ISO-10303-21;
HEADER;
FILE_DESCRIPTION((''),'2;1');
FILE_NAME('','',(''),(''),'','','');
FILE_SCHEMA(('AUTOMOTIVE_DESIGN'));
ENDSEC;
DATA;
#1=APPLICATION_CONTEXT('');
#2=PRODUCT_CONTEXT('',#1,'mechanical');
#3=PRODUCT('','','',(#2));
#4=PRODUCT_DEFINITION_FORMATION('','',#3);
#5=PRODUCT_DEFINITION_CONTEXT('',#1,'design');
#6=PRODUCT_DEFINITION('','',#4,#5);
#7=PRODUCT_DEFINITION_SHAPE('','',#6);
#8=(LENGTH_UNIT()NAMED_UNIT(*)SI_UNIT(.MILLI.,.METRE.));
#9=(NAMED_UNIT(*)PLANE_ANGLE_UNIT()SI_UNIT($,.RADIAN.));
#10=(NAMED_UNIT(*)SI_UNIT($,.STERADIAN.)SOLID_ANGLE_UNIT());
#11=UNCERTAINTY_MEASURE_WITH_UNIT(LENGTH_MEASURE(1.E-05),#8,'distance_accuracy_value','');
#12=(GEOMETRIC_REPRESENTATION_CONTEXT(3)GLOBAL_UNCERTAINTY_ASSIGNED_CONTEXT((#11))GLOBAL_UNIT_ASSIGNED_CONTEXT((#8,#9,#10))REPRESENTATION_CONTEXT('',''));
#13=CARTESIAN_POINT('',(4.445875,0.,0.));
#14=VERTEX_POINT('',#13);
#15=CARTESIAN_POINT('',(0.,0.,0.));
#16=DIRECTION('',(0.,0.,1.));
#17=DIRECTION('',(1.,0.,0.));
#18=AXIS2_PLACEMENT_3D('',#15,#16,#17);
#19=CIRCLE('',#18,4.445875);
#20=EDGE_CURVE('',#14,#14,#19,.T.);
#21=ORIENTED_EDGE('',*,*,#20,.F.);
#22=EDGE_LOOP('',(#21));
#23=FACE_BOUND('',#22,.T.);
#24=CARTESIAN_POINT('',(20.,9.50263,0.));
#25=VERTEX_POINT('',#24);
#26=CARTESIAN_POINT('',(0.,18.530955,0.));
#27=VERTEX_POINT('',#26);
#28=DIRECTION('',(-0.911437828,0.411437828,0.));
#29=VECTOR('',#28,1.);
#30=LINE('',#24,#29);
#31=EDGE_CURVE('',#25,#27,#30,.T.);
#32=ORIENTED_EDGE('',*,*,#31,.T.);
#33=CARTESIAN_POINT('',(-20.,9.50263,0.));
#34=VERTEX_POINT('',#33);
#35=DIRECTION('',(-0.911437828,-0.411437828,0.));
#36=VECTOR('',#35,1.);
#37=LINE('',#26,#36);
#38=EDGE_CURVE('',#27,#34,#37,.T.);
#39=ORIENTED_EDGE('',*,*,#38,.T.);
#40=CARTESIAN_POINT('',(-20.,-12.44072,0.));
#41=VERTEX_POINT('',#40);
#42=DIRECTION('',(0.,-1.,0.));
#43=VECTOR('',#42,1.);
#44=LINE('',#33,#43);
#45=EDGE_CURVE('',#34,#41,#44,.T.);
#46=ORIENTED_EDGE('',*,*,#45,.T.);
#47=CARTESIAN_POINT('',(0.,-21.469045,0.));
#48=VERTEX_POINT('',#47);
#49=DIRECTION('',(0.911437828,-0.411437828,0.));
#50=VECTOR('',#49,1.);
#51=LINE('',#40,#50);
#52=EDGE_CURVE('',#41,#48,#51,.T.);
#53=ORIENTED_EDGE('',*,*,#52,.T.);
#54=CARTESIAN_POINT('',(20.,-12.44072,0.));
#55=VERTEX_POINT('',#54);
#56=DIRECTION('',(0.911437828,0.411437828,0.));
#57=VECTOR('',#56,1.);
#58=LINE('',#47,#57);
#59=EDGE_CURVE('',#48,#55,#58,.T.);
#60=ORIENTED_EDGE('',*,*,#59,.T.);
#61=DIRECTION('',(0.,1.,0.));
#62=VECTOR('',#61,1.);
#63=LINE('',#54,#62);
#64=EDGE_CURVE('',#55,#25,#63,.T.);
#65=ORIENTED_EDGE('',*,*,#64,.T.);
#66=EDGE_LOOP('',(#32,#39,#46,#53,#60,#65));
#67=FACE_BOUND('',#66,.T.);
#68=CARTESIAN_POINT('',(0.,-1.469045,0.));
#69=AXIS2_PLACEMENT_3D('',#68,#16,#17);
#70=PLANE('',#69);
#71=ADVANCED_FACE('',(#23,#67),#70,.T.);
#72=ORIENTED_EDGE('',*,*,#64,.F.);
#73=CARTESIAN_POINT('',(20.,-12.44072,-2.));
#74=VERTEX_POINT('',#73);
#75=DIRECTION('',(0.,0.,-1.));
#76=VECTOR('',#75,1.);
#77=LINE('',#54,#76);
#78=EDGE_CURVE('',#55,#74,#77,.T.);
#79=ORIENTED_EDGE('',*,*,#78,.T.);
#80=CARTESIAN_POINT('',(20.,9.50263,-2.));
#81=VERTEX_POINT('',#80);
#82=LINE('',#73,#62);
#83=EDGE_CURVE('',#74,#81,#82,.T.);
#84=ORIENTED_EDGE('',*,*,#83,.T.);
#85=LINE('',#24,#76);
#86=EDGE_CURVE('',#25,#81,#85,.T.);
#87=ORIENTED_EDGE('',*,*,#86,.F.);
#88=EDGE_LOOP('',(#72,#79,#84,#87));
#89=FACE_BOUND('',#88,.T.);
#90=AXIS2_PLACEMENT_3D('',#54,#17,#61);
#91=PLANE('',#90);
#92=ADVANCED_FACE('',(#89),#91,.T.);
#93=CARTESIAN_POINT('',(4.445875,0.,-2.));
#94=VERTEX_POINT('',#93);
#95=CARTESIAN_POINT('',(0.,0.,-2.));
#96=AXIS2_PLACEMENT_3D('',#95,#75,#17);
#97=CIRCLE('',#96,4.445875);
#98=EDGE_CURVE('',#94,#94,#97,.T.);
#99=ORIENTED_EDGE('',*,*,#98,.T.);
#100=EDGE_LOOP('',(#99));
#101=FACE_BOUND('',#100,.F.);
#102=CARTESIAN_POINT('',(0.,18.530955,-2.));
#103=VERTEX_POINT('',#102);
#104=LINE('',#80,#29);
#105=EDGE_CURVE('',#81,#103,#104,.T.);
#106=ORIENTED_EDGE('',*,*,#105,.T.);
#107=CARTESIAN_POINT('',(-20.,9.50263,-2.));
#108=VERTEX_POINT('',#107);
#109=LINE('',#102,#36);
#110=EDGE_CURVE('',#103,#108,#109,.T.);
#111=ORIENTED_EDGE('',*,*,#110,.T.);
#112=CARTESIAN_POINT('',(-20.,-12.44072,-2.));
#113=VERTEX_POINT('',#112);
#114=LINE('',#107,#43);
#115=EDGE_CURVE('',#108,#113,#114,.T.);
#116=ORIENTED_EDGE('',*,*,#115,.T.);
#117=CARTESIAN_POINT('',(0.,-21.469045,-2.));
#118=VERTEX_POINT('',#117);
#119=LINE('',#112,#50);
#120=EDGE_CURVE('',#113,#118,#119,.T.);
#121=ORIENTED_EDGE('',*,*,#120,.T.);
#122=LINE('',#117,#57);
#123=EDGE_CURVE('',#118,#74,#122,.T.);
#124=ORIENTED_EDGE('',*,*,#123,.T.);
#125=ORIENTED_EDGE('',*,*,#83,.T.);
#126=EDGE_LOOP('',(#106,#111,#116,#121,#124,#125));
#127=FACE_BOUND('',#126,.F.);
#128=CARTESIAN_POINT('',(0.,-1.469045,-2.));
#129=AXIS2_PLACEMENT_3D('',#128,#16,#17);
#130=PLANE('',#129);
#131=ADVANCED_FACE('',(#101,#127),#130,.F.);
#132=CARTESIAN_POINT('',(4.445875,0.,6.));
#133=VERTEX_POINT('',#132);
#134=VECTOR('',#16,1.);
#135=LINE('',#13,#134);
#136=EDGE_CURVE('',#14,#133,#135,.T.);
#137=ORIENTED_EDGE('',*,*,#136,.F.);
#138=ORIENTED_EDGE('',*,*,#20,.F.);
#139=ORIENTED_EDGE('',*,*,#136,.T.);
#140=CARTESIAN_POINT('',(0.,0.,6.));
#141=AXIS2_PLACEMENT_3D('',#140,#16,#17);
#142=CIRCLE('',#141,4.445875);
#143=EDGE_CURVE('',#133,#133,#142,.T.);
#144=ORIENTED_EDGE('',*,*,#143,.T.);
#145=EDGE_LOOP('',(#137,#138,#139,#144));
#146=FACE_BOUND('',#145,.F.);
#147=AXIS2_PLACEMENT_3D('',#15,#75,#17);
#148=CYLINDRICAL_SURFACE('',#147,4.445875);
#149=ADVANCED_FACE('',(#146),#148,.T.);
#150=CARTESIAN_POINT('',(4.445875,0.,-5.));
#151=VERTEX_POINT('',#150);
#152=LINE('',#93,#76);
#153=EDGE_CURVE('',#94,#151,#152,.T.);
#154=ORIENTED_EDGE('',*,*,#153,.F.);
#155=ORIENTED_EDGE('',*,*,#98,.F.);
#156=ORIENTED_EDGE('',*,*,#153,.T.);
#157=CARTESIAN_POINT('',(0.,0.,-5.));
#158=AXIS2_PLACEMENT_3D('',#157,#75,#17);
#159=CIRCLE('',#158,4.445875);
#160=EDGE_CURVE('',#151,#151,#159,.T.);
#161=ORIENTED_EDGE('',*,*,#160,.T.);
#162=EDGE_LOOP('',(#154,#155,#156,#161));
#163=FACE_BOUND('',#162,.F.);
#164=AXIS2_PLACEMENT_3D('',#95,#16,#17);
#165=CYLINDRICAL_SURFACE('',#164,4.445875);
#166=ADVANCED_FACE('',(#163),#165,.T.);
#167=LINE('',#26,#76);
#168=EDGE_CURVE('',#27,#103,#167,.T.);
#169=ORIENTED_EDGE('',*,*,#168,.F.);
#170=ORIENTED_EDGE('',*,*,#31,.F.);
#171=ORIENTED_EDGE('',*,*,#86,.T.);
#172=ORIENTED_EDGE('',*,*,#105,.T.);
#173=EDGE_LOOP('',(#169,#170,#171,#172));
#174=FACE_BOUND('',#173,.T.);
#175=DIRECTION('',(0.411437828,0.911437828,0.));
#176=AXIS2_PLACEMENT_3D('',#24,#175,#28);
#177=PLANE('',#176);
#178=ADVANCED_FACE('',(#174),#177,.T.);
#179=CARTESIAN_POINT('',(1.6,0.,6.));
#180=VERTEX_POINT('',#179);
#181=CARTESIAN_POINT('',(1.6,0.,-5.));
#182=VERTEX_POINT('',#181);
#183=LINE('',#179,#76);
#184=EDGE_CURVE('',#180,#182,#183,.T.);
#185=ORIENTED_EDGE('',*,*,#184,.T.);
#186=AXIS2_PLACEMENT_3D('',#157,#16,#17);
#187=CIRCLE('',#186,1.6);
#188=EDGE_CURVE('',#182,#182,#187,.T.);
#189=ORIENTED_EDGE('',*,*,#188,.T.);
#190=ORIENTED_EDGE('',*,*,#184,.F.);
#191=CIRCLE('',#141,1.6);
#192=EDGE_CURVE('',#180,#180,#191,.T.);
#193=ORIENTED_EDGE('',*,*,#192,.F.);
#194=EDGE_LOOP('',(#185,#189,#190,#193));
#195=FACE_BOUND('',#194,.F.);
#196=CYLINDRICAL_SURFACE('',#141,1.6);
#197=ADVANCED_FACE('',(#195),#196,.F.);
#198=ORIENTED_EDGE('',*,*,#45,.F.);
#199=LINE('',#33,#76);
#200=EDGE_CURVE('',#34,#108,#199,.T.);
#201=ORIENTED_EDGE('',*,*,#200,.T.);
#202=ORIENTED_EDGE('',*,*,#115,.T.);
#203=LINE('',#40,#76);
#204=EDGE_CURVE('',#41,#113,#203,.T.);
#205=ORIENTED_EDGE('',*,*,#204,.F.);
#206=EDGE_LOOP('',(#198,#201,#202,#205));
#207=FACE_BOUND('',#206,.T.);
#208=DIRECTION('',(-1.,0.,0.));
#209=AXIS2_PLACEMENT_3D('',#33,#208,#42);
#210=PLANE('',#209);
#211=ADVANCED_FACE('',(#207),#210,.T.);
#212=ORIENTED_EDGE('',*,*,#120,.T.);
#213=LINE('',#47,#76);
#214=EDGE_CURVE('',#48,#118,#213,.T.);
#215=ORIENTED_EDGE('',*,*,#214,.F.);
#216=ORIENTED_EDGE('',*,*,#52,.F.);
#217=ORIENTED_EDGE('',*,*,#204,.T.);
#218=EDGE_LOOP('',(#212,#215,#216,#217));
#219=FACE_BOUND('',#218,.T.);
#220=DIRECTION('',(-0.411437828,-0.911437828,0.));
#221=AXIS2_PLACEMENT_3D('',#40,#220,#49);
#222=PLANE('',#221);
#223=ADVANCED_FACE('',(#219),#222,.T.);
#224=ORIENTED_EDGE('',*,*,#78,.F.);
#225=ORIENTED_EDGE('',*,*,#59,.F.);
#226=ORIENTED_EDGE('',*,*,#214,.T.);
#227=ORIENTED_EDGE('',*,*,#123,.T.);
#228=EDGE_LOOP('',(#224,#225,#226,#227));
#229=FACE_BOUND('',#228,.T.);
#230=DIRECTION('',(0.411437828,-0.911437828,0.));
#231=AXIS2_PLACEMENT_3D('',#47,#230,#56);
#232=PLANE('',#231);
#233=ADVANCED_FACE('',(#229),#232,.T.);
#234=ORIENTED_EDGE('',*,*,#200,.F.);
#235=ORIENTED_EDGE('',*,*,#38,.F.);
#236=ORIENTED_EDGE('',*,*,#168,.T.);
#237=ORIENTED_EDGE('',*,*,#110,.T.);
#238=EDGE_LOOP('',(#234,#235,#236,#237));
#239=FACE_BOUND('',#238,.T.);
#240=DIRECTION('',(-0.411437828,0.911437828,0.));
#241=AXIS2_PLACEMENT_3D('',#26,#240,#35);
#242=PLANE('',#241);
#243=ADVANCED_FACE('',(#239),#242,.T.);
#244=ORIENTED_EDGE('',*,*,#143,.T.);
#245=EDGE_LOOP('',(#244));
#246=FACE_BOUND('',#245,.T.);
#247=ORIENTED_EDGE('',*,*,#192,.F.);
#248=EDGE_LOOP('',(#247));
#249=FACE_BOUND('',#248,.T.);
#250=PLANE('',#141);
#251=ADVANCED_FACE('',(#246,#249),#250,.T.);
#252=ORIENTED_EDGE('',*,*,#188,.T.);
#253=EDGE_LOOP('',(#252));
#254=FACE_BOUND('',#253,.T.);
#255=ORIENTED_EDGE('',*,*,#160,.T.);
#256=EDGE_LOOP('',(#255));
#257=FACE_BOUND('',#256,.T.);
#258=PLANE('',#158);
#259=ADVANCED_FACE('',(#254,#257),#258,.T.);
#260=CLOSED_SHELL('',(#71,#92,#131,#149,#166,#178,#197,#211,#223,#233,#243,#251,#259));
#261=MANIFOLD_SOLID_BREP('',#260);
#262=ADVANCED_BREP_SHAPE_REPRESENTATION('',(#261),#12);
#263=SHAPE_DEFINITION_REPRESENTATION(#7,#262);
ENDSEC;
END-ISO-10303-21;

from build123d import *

# Parameters (mm, degrees)
F1_DEPTH = 2
F2_R     = 4.445875
F3_DEPTH = 6
F4_R     = 4.445875
F5_DEPTH = 3
F6_R     = 1.6
F7_DEPTH = 11.001


with BuildPart() as f1:
    # F0 (on Top) → F1 (new body)
    with BuildSketch(Plane.XY):
        Polygon((20, 9.5026303193), (0, 18.5309549122), (-20, 9.5026303193), (-20, -12.4407204949), (0, -21.4690450878), (20, -12.4407204949), align=None)
    extrude(amount=-F1_DEPTH)

    # F2 (on face) → F3 (join)
    with BuildSketch(Plane.XY):
        Circle(F2_R)
    extrude(amount=F3_DEPTH)

    # F4 (on face) → F5 (join)
    with BuildSketch(Plane(origin=(0, 0, -2), x_dir=(1, 0, 0), z_dir=(0, 0, -1))):
        Circle(F4_R)
    extrude(amount=F5_DEPTH)

    # F6 (on face) → F7 (cut, through all)
    with BuildSketch(Plane.XY.offset(6)):
        Circle(F6_R)
    extrude(amount=-F7_DEPTH, mode=Mode.SUBTRACT)


solid = f1.part
